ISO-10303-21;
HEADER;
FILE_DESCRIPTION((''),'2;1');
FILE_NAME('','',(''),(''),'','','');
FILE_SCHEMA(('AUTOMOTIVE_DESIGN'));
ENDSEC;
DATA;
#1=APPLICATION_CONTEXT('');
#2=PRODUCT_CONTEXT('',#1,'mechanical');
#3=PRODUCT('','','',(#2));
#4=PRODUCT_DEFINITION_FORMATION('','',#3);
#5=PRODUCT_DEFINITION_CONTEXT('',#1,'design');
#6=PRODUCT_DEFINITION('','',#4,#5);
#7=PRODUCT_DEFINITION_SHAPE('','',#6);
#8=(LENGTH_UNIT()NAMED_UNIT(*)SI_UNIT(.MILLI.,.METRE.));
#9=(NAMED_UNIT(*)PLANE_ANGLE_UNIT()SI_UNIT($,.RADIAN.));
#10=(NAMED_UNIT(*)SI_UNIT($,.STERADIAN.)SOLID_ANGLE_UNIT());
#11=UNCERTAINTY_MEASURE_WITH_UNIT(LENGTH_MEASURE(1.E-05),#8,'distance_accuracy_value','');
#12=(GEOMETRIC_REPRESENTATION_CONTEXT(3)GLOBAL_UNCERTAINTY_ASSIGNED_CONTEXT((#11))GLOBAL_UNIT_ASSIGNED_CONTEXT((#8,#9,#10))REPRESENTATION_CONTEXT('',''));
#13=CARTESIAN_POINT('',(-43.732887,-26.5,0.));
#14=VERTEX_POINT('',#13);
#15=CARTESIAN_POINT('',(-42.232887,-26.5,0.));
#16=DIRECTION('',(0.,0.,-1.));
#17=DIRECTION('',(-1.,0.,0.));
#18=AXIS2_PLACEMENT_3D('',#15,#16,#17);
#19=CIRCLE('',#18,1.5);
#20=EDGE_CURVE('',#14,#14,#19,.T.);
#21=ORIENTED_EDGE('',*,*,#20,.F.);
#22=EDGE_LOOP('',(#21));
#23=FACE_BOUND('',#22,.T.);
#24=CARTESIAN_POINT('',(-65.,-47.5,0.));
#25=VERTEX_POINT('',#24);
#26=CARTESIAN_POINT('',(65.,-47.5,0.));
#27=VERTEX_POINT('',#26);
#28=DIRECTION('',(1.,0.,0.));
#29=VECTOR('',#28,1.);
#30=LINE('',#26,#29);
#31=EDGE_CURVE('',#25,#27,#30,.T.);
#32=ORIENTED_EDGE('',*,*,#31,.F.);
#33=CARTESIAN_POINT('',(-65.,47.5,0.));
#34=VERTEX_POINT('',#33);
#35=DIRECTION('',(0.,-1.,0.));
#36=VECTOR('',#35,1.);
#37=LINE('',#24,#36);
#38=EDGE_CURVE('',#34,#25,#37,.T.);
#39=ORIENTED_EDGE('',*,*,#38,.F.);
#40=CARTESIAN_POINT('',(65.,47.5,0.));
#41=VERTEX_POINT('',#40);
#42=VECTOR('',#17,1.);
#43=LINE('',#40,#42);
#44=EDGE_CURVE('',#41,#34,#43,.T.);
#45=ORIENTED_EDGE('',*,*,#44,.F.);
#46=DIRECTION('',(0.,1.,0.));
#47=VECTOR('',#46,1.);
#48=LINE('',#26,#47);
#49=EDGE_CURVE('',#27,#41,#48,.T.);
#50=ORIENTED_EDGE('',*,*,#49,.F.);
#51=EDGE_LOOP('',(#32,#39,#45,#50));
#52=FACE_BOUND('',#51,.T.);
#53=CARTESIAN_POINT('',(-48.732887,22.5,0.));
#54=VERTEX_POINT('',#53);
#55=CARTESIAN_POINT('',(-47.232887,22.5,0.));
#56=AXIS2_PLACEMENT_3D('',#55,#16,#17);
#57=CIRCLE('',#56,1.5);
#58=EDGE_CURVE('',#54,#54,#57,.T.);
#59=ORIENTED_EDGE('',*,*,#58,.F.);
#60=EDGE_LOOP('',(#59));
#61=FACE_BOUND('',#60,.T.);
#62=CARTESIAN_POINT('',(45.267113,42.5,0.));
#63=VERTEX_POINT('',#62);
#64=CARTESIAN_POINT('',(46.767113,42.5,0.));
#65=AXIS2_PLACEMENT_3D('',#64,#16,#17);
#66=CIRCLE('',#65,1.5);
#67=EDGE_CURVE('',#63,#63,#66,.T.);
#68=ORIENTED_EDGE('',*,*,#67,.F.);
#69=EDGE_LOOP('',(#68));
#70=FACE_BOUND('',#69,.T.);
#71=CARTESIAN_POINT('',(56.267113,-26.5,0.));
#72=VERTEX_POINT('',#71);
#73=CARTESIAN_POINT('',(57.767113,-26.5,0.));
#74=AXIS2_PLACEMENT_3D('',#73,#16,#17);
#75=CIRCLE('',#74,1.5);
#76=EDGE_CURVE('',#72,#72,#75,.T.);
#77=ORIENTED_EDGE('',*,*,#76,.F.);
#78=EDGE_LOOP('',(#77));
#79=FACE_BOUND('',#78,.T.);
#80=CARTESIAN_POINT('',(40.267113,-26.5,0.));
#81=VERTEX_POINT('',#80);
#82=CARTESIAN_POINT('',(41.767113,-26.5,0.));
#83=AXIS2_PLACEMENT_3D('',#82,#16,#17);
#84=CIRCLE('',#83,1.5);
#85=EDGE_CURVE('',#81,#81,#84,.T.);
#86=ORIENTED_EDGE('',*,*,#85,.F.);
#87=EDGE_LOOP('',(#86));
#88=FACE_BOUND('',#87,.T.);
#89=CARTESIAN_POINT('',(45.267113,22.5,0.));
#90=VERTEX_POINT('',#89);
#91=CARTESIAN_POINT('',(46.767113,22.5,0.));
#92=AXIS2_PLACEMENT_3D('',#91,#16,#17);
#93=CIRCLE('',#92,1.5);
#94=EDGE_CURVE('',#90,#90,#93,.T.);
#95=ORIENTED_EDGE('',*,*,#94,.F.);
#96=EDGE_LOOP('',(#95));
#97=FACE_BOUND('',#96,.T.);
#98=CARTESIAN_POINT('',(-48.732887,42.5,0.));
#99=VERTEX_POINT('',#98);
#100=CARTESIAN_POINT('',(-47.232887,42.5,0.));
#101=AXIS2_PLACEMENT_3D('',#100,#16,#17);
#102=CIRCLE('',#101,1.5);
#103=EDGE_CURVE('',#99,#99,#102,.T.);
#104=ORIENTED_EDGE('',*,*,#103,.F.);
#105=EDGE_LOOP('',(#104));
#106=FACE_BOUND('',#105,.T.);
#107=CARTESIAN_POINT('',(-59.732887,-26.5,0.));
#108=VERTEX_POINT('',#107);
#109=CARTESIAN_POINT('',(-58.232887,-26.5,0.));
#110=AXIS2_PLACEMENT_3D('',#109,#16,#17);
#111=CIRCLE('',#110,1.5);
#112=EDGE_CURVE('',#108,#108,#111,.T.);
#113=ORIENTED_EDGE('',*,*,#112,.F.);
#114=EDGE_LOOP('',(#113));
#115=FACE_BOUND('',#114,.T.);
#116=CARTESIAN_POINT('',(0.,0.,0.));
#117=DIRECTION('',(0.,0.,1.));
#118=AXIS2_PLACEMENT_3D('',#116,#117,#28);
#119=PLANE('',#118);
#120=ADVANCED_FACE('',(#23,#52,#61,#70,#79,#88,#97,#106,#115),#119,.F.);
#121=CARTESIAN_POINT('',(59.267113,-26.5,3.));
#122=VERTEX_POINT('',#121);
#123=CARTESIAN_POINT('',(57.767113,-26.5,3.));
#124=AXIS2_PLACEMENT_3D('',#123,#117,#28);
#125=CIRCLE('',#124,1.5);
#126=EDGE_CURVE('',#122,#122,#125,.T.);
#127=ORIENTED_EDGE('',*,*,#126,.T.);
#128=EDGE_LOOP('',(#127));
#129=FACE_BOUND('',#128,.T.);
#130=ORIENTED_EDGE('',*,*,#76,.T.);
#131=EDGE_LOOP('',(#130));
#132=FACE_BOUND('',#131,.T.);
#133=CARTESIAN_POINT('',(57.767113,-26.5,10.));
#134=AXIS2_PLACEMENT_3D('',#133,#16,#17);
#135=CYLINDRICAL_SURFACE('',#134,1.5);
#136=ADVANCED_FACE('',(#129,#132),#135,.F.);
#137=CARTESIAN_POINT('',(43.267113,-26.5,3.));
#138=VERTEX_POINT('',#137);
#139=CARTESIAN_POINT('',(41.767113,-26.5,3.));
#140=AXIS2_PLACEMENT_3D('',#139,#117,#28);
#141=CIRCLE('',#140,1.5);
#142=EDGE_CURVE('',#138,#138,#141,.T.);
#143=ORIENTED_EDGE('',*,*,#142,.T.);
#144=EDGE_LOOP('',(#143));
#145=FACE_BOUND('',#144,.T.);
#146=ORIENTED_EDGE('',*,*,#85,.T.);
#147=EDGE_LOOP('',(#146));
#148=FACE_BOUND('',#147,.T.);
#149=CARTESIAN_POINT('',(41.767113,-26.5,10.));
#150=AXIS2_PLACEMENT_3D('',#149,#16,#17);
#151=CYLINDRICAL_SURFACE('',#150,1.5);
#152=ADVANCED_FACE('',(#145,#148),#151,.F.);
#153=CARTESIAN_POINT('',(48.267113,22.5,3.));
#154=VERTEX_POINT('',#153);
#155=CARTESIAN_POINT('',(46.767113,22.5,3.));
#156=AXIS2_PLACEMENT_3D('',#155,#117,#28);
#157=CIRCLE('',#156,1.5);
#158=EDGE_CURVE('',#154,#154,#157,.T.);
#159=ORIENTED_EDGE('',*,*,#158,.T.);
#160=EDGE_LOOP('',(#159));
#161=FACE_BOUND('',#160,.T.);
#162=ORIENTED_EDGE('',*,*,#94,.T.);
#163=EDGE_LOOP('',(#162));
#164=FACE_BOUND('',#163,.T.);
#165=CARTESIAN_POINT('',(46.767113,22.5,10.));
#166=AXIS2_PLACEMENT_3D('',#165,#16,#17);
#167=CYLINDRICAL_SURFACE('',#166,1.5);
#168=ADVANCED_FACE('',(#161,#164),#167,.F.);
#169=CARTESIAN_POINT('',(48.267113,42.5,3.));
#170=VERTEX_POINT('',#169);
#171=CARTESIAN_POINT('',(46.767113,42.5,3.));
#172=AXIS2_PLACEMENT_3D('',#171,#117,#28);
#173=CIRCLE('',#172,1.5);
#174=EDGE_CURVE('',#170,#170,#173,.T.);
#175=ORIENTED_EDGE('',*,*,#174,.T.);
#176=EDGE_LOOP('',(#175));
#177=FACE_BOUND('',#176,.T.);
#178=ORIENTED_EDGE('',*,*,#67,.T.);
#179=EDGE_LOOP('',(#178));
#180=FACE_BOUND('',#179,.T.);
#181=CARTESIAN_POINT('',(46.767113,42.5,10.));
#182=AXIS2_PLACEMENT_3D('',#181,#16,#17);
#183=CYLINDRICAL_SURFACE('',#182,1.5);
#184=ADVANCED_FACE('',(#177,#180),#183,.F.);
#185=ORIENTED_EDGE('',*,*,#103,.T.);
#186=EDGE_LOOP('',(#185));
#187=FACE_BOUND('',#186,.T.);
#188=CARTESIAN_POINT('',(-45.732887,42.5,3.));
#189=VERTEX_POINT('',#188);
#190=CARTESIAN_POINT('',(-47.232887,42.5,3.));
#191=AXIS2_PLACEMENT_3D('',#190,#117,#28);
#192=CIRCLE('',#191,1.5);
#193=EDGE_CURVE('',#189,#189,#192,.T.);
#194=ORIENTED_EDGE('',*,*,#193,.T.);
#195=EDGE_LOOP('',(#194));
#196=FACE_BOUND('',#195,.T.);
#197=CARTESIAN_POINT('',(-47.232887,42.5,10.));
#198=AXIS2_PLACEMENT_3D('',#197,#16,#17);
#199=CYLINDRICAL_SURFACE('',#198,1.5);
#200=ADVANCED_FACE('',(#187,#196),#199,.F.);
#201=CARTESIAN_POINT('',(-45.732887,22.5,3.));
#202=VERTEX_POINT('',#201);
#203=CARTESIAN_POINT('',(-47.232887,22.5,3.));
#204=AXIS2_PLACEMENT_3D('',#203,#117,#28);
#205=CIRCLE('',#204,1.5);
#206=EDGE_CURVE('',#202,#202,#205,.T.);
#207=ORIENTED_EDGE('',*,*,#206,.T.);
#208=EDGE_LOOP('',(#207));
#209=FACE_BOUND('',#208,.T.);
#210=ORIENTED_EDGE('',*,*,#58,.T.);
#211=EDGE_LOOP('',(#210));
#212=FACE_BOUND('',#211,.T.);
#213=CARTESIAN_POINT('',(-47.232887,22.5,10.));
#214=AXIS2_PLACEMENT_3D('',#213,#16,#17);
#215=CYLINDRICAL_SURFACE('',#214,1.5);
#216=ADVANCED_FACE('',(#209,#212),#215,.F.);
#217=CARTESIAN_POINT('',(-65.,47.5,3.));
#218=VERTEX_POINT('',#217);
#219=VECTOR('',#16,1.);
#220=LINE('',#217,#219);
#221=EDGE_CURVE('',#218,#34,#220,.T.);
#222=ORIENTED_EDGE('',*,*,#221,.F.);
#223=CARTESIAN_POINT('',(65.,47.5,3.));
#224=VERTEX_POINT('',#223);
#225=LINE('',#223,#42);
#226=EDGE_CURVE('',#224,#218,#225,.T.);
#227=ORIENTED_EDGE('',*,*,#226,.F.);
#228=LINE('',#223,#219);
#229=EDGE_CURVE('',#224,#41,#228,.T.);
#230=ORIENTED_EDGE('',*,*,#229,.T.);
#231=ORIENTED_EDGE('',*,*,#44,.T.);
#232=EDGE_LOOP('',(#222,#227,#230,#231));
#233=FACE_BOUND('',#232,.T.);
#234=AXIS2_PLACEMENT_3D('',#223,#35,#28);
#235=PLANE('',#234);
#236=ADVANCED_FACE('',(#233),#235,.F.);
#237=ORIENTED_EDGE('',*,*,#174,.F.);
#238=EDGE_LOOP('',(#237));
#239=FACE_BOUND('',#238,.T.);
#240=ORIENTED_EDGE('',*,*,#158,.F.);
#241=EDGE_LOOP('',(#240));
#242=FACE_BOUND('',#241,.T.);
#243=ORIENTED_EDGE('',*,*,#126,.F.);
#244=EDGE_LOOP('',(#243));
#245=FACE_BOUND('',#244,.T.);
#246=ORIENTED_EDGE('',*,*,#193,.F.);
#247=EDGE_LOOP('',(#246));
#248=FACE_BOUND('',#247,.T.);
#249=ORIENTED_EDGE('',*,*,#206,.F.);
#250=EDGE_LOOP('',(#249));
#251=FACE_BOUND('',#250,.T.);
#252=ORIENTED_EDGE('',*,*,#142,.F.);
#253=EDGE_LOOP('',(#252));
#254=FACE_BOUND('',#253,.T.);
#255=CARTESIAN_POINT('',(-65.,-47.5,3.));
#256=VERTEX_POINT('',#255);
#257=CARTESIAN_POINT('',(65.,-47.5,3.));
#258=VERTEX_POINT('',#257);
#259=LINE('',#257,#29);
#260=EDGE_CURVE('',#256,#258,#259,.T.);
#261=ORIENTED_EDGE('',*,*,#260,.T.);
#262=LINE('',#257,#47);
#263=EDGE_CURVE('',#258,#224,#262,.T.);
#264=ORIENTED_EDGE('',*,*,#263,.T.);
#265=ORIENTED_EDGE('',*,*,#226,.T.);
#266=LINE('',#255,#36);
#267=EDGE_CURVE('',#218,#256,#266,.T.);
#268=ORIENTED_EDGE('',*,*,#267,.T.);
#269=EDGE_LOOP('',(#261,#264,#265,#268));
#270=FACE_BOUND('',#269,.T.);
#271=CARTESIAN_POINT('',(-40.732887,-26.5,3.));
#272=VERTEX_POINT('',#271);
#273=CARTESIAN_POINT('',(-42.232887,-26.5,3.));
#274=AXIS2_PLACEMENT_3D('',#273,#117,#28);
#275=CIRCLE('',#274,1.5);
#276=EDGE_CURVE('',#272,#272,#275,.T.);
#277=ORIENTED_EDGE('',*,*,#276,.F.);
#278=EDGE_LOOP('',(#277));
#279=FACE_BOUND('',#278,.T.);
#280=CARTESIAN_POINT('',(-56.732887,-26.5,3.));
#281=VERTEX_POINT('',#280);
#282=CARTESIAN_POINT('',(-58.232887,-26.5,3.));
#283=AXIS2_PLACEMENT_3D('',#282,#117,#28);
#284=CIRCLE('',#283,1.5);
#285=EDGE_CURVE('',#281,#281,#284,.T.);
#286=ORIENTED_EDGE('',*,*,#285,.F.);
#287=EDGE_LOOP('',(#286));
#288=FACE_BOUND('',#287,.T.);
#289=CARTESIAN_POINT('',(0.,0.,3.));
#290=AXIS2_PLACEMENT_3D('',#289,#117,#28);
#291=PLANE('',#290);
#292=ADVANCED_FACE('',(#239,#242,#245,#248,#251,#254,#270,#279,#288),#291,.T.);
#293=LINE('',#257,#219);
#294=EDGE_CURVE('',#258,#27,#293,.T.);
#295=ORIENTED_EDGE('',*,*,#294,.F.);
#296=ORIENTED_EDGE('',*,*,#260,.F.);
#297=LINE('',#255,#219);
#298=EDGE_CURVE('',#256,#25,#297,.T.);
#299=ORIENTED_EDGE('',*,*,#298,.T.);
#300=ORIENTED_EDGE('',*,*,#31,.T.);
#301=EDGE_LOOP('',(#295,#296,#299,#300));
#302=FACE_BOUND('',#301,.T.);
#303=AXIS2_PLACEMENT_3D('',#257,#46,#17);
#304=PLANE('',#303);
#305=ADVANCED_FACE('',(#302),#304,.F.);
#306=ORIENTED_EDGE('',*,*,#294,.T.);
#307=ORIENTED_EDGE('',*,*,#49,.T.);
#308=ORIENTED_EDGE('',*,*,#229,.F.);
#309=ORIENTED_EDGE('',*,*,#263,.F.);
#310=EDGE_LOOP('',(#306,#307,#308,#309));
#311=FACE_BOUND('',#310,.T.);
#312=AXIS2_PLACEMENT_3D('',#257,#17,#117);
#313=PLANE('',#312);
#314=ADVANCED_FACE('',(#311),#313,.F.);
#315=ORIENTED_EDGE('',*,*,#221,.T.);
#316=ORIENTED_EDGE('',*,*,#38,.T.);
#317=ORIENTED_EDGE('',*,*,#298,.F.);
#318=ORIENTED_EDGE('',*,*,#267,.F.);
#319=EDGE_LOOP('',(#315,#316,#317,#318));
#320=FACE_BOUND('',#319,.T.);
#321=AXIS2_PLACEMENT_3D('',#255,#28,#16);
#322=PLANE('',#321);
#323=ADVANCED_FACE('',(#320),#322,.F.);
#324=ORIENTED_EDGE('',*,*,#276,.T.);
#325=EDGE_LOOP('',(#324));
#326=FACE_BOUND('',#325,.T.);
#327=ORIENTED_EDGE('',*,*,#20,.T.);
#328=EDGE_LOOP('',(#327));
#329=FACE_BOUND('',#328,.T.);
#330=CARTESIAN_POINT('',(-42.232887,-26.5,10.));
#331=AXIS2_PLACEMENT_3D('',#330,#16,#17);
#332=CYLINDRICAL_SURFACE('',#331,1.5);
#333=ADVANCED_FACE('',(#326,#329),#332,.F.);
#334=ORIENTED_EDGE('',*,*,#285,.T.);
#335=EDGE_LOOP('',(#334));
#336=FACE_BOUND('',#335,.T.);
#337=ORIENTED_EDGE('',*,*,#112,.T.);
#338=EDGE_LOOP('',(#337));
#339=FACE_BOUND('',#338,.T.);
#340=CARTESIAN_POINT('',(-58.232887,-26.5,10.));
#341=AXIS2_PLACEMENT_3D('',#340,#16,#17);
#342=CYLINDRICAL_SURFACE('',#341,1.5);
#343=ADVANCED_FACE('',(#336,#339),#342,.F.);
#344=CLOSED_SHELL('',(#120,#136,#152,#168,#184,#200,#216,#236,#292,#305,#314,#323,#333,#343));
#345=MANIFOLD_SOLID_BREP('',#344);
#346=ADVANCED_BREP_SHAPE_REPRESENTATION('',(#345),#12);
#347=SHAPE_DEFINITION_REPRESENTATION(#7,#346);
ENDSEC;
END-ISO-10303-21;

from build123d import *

# Parameters (mm, degrees)
SKETCH_1_W          = 130
SKETCH_1_H          = 95
EXTRUDE_1_DEPTH     = 3
SKETCH_3_R          = 1.5
CUT_EXTRUDE_2_DEPTH = 10
SKETCH_4_R          = 1.5
CUT_EXTRUDE_3_DEPTH = 10


with BuildPart() as part:
    # 草图1 → 凸台-拉伸1 (new body)
    with BuildSketch(Plane.XY):
        Rectangle(SKETCH_1_W, SKETCH_1_H)
    extrude(amount=EXTRUDE_1_DEPTH)

    # 草图3 → 切除-拉伸2 (cut)
    with BuildSketch(Plane(origin=(0, 0, 0), x_dir=(-1, 0, 0), z_dir=(0, 0, -1))):
        with Locations((-57.767112616, -26.5)):
            Circle(SKETCH_3_R)
        with Locations((-41.767112616, -26.5)):
            Circle(SKETCH_3_R)
        with Locations((42.232887384, -26.5)):
            Circle(SKETCH_3_R)
        with Locations((58.232887384, -26.5)):
            Circle(SKETCH_3_R)
    extrude(amount=-CUT_EXTRUDE_2_DEPTH, mode=Mode.SUBTRACT)

    # 草图4 → 切除-拉伸3 (cut)
    with BuildSketch(Plane(origin=(0, 0, 0), x_dir=(-1, 0, 0), z_dir=(0, 0, -1))):
        with Locations((-46.767112616, 42.5)):
            Circle(SKETCH_4_R)
        with Locations((-46.767112616, 22.5)):
            Circle(SKETCH_4_R)
        with Locations((47.232887384, 42.5)):
            Circle(SKETCH_4_R)
        with Locations((47.232887384, 22.5)):
            Circle(SKETCH_4_R)
    extrude(amount=-CUT_EXTRUDE_3_DEPTH, mode=Mode.SUBTRACT)


solid = part.part
